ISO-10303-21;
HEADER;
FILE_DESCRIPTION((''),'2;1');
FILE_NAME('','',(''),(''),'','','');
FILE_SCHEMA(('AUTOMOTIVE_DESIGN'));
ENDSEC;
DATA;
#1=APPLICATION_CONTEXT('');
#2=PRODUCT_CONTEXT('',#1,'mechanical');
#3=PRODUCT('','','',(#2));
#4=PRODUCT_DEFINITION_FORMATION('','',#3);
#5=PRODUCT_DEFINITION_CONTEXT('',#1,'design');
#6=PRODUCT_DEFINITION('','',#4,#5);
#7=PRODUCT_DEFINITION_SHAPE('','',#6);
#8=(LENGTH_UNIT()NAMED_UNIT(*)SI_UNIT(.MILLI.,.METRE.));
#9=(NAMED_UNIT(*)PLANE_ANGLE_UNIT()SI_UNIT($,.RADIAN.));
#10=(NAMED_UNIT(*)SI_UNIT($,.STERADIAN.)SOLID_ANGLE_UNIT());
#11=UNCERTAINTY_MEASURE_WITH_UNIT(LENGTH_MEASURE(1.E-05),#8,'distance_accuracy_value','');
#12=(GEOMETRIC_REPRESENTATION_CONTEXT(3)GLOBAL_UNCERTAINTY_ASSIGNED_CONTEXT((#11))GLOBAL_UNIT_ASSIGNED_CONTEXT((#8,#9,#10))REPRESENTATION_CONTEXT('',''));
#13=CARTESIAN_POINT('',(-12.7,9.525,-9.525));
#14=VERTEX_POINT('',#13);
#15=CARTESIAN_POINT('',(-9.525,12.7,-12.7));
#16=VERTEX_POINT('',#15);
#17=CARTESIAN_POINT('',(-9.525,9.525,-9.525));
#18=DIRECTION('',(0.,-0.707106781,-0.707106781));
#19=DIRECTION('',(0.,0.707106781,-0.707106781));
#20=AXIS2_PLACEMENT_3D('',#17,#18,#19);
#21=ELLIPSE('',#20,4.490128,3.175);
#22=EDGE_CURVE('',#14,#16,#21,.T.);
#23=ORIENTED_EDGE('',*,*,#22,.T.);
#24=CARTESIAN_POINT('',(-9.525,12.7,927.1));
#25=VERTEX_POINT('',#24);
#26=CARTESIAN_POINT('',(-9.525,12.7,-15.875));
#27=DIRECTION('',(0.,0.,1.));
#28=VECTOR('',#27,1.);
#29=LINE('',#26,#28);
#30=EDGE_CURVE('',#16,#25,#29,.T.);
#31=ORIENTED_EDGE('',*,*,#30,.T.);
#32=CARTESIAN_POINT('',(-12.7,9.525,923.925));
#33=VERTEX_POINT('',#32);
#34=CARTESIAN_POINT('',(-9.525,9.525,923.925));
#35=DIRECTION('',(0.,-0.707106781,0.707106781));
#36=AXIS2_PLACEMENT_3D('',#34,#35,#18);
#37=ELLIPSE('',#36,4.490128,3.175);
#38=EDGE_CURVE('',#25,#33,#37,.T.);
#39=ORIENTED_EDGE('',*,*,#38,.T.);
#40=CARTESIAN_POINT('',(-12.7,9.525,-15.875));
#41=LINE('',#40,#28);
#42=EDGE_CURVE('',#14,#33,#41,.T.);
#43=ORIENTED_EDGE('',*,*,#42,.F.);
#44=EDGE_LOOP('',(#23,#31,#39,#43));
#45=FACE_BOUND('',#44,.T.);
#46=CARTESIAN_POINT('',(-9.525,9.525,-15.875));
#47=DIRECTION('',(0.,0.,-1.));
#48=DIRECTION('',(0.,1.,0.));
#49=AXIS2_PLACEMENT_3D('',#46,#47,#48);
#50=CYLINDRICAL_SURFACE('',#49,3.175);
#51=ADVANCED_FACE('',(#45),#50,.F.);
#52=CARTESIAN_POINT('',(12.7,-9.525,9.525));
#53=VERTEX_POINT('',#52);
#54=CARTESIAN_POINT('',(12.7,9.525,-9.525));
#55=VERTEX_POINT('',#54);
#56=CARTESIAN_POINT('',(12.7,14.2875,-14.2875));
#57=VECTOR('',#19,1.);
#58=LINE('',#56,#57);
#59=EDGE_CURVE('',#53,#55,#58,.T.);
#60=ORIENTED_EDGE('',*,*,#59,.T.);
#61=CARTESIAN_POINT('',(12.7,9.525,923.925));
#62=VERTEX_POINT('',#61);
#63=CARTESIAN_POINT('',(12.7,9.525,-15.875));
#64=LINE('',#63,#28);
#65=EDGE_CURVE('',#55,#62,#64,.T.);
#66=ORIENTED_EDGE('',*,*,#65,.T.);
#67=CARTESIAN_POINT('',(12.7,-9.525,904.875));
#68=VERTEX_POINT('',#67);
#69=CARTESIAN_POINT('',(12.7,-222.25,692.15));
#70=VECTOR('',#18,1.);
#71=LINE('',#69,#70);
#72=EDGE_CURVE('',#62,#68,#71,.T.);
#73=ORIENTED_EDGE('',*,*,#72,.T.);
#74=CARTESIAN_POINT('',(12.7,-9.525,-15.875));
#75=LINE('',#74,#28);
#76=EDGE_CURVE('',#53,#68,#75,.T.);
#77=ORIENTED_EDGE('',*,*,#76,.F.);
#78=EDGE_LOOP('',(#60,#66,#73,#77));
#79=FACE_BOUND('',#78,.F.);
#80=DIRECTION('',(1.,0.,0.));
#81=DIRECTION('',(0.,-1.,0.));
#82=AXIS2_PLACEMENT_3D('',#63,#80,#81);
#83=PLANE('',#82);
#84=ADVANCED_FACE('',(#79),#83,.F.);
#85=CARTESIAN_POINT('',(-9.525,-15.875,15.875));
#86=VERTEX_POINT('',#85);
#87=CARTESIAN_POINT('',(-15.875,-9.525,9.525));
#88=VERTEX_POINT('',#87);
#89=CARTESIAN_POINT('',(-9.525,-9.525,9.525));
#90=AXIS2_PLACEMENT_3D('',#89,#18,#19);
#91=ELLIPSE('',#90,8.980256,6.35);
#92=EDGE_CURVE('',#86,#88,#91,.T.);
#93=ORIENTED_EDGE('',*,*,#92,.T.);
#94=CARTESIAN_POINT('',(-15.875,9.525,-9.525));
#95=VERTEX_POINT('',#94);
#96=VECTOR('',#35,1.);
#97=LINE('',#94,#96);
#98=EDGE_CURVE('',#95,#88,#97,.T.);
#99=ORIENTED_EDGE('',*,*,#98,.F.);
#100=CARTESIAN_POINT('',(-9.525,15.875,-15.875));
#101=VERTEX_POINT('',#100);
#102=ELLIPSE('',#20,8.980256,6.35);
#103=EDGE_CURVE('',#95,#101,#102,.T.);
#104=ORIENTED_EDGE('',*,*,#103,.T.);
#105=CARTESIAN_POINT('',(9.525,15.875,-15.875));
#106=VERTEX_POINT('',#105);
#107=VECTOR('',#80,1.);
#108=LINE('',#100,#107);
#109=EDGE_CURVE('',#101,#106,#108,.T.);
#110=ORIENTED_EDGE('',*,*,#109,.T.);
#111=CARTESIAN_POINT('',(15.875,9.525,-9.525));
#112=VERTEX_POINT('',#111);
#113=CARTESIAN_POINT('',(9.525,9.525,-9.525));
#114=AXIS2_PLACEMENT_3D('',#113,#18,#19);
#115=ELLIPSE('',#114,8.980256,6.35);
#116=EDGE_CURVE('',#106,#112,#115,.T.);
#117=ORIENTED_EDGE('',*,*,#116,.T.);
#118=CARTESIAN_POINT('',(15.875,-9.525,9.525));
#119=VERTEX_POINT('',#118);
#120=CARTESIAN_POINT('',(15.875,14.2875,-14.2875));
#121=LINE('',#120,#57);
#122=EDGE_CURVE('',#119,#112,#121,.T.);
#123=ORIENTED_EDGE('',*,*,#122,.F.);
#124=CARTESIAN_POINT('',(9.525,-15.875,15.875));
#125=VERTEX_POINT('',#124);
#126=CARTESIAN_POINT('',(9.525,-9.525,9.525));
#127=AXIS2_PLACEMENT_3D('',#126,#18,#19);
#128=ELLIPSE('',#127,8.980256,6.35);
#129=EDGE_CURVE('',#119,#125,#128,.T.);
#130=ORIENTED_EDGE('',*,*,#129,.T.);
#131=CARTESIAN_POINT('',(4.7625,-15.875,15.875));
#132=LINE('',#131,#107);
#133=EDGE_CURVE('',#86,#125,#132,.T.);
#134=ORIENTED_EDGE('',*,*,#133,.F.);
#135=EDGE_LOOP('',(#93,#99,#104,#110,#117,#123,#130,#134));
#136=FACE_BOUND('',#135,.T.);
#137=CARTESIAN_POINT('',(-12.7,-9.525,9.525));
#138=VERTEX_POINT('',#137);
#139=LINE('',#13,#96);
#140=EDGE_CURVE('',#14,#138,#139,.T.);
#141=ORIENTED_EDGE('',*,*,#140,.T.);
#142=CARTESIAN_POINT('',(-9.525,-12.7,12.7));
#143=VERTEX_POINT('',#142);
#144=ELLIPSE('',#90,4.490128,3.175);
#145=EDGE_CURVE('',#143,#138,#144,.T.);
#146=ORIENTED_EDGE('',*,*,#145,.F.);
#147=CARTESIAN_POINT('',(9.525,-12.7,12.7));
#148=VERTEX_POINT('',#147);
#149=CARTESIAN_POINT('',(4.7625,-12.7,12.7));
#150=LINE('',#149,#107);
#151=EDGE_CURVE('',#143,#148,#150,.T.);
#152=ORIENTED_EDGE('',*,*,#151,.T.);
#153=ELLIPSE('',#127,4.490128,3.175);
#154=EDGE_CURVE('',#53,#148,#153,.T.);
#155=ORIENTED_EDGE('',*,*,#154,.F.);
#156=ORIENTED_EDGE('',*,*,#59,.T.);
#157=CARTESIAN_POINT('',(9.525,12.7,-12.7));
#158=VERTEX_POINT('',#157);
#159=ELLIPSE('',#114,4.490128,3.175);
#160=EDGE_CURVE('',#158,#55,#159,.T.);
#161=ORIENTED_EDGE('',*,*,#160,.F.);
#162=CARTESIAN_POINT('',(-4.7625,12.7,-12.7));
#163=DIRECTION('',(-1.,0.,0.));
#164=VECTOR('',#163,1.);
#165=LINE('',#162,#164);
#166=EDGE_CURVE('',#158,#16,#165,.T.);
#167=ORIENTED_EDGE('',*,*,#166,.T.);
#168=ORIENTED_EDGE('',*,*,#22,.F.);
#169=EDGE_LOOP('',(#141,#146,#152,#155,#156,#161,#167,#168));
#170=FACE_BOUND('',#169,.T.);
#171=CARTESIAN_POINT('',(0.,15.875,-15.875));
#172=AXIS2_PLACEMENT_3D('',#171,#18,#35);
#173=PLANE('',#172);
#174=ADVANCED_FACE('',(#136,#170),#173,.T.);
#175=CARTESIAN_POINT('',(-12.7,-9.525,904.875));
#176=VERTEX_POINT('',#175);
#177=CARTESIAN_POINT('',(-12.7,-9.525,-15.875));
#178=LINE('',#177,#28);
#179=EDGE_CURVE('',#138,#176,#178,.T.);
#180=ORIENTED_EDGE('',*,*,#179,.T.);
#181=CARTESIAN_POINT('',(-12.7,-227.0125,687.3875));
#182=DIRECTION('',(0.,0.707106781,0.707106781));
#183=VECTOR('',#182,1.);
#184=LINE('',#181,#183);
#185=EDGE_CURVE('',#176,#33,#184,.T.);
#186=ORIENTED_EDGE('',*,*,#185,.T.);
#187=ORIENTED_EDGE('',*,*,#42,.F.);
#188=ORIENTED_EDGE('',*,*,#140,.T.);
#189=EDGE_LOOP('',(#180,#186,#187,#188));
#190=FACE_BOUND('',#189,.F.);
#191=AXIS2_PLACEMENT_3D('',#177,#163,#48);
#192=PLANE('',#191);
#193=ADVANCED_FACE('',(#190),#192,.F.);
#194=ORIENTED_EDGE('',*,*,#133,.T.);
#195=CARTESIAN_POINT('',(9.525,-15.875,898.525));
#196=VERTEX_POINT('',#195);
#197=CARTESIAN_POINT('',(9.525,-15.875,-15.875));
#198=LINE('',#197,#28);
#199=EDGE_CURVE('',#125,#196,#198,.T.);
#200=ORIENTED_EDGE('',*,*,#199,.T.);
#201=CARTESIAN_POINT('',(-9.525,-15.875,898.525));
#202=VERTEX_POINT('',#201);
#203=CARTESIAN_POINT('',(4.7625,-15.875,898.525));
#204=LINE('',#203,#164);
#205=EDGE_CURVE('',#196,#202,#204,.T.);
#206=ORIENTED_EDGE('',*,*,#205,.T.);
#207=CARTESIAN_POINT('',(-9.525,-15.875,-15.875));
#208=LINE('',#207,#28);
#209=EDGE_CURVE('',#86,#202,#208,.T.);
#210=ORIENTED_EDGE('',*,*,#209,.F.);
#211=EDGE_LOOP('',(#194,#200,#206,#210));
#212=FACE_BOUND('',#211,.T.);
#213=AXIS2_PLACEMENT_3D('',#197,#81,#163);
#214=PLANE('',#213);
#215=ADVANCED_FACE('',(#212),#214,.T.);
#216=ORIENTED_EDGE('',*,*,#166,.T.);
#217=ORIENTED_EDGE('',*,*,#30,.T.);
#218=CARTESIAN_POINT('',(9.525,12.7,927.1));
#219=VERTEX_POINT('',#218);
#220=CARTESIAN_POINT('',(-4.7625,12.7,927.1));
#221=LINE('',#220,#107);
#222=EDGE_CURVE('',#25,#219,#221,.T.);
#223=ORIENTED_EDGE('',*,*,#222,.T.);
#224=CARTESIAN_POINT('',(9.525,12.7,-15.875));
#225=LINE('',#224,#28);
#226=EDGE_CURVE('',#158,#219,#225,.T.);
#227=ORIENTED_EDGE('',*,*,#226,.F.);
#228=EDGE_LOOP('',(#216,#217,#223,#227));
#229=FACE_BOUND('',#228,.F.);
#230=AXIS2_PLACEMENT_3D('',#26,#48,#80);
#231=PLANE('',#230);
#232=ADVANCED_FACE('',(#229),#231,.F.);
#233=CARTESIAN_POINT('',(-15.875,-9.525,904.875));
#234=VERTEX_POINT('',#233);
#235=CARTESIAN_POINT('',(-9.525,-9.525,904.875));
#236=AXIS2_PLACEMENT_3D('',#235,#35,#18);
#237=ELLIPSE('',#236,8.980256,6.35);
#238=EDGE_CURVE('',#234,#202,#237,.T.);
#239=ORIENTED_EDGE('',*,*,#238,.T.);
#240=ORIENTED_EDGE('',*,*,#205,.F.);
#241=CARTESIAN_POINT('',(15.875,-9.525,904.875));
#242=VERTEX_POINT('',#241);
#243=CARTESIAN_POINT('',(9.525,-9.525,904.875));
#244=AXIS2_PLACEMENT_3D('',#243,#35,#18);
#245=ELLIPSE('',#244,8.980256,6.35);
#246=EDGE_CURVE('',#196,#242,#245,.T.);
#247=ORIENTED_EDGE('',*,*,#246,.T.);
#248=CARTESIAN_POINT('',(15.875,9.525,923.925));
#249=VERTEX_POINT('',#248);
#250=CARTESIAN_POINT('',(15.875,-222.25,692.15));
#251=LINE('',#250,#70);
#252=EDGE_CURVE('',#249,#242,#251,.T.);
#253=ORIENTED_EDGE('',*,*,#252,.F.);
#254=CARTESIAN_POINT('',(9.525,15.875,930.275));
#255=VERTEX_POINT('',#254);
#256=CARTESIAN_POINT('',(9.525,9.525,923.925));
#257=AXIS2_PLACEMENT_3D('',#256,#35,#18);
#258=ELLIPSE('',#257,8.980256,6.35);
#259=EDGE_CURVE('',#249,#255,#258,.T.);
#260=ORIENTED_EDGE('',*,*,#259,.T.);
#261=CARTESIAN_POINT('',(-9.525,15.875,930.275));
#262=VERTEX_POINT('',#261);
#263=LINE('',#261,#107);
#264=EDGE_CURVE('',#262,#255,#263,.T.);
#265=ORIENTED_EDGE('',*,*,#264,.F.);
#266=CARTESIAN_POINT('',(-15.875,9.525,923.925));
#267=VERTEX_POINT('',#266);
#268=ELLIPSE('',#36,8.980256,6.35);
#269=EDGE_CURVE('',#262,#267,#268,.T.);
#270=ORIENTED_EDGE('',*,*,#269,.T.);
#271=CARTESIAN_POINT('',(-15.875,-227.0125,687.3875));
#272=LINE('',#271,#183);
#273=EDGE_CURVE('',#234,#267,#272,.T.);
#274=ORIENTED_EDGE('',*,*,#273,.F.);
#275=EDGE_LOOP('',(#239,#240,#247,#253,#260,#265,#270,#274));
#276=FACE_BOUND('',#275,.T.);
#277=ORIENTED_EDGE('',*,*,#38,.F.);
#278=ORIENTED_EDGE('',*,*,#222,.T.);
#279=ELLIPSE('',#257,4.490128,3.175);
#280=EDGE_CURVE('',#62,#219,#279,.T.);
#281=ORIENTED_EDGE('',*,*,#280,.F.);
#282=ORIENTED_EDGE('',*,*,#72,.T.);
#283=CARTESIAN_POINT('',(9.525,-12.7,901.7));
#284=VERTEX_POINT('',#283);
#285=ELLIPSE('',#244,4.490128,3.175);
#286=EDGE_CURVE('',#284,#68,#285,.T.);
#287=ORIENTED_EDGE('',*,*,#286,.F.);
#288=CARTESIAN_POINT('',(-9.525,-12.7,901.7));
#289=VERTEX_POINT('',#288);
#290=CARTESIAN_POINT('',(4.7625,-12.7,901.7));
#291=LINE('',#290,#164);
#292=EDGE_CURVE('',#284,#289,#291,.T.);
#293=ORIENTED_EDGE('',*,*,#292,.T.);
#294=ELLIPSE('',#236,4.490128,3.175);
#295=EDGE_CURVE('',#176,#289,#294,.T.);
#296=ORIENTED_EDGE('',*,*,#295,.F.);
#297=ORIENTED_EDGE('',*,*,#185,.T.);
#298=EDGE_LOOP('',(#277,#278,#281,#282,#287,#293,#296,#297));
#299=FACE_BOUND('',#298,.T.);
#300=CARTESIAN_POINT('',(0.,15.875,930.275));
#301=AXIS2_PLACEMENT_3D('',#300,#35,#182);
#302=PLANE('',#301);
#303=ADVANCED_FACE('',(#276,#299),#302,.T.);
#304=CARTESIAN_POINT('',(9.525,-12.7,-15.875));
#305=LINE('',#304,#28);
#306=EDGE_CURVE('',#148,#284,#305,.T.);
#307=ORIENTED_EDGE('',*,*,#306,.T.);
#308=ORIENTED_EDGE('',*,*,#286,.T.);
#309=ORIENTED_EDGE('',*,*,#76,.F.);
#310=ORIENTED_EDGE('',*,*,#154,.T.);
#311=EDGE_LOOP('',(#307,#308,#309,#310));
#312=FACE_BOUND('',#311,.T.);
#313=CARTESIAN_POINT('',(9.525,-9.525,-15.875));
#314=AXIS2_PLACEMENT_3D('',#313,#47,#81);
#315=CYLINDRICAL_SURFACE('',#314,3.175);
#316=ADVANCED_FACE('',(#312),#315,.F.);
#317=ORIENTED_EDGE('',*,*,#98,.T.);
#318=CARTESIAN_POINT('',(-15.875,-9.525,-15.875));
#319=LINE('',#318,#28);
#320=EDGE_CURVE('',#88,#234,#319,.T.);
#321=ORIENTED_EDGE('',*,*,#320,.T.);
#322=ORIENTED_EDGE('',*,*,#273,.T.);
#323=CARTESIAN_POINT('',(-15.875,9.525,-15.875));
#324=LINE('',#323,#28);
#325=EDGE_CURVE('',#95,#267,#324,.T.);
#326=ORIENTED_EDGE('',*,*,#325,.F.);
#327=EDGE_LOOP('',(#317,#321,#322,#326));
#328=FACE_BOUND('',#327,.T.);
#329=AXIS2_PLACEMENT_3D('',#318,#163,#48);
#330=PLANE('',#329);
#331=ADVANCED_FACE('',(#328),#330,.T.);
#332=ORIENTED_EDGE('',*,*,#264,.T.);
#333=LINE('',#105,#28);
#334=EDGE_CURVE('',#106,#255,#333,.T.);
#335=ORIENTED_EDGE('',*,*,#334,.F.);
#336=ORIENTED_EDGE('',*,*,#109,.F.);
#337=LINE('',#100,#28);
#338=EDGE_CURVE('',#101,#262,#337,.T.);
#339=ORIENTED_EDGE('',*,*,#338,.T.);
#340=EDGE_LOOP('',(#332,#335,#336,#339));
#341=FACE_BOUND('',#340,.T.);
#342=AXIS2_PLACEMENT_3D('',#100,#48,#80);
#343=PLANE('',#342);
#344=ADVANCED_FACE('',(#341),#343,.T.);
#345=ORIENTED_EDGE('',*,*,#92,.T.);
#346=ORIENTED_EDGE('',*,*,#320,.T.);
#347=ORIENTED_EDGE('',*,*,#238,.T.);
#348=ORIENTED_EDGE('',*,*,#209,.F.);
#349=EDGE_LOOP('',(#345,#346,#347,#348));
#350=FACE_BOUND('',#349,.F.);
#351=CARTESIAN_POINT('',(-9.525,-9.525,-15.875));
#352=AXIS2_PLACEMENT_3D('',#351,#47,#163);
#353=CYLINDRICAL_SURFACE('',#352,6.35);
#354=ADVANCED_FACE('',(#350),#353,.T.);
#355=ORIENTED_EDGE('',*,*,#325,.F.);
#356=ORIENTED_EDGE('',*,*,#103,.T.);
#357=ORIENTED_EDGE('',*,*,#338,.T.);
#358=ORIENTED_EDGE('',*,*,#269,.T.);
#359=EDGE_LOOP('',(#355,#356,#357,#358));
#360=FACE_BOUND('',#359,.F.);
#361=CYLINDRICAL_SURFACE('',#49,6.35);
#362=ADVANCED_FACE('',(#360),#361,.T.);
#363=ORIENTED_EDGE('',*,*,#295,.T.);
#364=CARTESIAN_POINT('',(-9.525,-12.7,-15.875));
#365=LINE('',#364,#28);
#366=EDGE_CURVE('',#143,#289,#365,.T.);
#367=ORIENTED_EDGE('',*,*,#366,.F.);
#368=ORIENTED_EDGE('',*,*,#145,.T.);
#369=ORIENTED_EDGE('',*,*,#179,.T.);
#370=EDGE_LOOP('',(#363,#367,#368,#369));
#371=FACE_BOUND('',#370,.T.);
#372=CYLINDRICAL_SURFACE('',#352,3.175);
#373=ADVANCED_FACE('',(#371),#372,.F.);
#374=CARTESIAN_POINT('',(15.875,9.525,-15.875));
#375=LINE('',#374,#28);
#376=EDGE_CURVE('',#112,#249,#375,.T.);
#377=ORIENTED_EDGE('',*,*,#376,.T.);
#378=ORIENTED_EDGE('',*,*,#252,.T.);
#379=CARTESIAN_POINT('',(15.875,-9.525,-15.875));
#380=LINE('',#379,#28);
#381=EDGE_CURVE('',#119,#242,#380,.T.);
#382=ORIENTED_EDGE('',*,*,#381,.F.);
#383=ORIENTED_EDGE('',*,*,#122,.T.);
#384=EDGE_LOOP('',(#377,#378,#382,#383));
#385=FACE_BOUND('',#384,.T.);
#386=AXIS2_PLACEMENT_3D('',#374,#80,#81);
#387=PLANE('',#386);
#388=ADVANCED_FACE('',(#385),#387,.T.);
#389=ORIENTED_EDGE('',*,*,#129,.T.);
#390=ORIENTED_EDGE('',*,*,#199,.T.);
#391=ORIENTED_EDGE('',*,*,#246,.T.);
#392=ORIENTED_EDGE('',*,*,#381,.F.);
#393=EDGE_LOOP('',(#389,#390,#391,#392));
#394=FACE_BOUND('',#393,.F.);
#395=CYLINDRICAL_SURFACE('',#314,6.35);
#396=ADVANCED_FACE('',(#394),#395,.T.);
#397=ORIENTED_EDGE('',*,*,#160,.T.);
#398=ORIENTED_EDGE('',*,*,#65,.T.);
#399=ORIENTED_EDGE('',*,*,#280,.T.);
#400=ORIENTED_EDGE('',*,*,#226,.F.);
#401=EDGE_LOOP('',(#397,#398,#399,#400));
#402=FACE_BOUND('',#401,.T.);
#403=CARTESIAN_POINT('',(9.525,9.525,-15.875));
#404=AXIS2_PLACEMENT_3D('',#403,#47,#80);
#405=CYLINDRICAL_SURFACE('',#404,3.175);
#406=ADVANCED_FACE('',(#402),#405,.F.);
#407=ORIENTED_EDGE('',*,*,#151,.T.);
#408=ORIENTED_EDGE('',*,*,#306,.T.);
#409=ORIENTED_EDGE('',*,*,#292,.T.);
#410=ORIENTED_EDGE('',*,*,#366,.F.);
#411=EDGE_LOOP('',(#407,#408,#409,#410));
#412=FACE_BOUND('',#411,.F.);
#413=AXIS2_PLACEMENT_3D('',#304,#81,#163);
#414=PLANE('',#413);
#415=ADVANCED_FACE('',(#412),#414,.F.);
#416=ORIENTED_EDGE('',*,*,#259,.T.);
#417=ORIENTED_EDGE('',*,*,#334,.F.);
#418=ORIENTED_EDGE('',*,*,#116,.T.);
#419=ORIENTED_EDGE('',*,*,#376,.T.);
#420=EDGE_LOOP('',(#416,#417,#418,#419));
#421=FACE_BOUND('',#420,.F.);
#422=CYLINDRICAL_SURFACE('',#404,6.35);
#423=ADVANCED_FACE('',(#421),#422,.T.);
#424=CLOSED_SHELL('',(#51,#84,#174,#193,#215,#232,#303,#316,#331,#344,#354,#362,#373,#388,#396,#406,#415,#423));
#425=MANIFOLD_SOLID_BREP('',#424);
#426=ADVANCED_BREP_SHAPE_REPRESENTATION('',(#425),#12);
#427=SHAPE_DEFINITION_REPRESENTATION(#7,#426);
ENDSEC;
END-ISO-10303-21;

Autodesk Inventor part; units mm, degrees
ref_plane "Start plane" through (0, 0, -15.875) normal (0, 0, 1) x (1, 0, 0)
ref_plane "End plane" through (0, 0, 930.275) normal (0, 0, 1) x (1, 0, 0)
sketch "Sketch" plane through (0, 0, 0) normal (0, 0, 1) x (1, 0, 0)
  line L0 (-15.875, -9.525) -> (-15.875, 9.525)
  line L1 (-9.525, 15.875) -> (9.525, 15.875)
  line L2 (15.875, 9.525) -> (15.875, -9.525)
  line L3 (9.525, -15.875) -> (-9.525, -15.875)
  arc A0 (-15.875, -9.525) -> (-9.525, -15.875) centre (-9.525, -9.525) ccw
  arc A1 (-9.525, 15.875) -> (-15.875, 9.525) centre (-9.525, 9.525) ccw
  arc A2 (15.875, 9.525) -> (9.525, 15.875) centre (9.525, 9.525) ccw
  arc A3 (9.525, -15.875) -> (15.875, -9.525) centre (9.525, -9.525) ccw
  arc A4 (-9.525, 12.7) -> (-12.7, 9.525) centre (-9.525, 9.525) ccw
  line L4 (-9.525, 12.7) -> (9.525, 12.7)
  arc A5 (12.7, 9.525) -> (9.525, 12.7) centre (9.525, 9.525) ccw
  line L5 (12.7, 9.525) -> (12.7, -9.525)
  arc A6 (9.525, -12.7) -> (12.7, -9.525) centre (9.525, -9.525) ccw
  line L6 (9.525, -12.7) -> (-9.525, -12.7)
  arc A7 (-12.7, -9.525) -> (-9.525, -12.7) centre (-9.525, -9.525) ccw
  line L7 (-12.7, -9.525) -> (-12.7, 9.525)
  line L8 (0, 24.0662) -> (0, -24.0662) construction
  line L9 (-24.0662, 0) -> (24.0662, 0) construction
  dimension "d10" = 31.75
  dimension "d11" = 31.75
  dimension "d12" = 3.175
  dimension "d15" = 15.875
  dimension "d16" = 15.875
  dimension "d17" = 6.35
extrude "Body" add sketch "Sketch" along normal up to surface (946.15 mm away) from surface at -15.875
sketch "Sketch3" plane through (0, 0, 0) normal (0, 0, 1) x (1, 0, 0)
  line L0 (0, 0) -> (10, 0)
ref_plane "Work Plane3" through (0, 0, 0) normal (0, -1, 0) x (1, 0, 0)
sketch "Sketch4" plane through (0, 0, 0) normal (0, -1, 0) x (1, 0, 0)
  line L0 (-2, -15.875) -> (12, -15.875)
  line L1 (-2, 930.275) -> (12, 930.275)
  dimension "d19" = 946.15
ref_plane "Work Plane4" through (0, 15.875, 930.275) normal (0, -0.7071, 0.7071) x (1, 0, 0)
split "Split1" plane through (0, 15.875, 930.275) removes the side toward (0, -0.7071, 0.7071)
ref_plane "Work Plane5" through (0, 15.875, -15.875) normal (0, -0.7071, -0.7071) x (1, 0, 0)
split "Split2" plane through (0, 15.875, -15.875) removes the side toward (0, -0.7071, -0.7071)
equation "\"d10\" = G_H"
equation "\"d11\" = G_W"
equation "\"d12\" = G_T"
equation "\"d15\" = 0.5 * d10"
equation "\"d16\" = 0.5 * d11"
equation "\"d17\" = G_IR"
equation "\"d3\" = G_L"
equation "\"G_W\" = 31.75"
equation "\"G_H\" = 31.75"
equation "\"G_T\" = 3.175"
equation "\"G_IR\" = 6.35"
equation "\"G_L\" = d19"
equation "\"G_OFFSET_START\" = 15.875"
equation "\"G_OFFSET_END\" = 15.875"
equation "\"d13\" = -G_OFFSET_START"
equation "\"d14\" = G_OFFSET_END + B_L"
equation "\"B_L\" = 914.4"
properties part number "AISC HSS - 1-1/4x1-1/4x1/8 - 37.25" material "Steel, Mild"
